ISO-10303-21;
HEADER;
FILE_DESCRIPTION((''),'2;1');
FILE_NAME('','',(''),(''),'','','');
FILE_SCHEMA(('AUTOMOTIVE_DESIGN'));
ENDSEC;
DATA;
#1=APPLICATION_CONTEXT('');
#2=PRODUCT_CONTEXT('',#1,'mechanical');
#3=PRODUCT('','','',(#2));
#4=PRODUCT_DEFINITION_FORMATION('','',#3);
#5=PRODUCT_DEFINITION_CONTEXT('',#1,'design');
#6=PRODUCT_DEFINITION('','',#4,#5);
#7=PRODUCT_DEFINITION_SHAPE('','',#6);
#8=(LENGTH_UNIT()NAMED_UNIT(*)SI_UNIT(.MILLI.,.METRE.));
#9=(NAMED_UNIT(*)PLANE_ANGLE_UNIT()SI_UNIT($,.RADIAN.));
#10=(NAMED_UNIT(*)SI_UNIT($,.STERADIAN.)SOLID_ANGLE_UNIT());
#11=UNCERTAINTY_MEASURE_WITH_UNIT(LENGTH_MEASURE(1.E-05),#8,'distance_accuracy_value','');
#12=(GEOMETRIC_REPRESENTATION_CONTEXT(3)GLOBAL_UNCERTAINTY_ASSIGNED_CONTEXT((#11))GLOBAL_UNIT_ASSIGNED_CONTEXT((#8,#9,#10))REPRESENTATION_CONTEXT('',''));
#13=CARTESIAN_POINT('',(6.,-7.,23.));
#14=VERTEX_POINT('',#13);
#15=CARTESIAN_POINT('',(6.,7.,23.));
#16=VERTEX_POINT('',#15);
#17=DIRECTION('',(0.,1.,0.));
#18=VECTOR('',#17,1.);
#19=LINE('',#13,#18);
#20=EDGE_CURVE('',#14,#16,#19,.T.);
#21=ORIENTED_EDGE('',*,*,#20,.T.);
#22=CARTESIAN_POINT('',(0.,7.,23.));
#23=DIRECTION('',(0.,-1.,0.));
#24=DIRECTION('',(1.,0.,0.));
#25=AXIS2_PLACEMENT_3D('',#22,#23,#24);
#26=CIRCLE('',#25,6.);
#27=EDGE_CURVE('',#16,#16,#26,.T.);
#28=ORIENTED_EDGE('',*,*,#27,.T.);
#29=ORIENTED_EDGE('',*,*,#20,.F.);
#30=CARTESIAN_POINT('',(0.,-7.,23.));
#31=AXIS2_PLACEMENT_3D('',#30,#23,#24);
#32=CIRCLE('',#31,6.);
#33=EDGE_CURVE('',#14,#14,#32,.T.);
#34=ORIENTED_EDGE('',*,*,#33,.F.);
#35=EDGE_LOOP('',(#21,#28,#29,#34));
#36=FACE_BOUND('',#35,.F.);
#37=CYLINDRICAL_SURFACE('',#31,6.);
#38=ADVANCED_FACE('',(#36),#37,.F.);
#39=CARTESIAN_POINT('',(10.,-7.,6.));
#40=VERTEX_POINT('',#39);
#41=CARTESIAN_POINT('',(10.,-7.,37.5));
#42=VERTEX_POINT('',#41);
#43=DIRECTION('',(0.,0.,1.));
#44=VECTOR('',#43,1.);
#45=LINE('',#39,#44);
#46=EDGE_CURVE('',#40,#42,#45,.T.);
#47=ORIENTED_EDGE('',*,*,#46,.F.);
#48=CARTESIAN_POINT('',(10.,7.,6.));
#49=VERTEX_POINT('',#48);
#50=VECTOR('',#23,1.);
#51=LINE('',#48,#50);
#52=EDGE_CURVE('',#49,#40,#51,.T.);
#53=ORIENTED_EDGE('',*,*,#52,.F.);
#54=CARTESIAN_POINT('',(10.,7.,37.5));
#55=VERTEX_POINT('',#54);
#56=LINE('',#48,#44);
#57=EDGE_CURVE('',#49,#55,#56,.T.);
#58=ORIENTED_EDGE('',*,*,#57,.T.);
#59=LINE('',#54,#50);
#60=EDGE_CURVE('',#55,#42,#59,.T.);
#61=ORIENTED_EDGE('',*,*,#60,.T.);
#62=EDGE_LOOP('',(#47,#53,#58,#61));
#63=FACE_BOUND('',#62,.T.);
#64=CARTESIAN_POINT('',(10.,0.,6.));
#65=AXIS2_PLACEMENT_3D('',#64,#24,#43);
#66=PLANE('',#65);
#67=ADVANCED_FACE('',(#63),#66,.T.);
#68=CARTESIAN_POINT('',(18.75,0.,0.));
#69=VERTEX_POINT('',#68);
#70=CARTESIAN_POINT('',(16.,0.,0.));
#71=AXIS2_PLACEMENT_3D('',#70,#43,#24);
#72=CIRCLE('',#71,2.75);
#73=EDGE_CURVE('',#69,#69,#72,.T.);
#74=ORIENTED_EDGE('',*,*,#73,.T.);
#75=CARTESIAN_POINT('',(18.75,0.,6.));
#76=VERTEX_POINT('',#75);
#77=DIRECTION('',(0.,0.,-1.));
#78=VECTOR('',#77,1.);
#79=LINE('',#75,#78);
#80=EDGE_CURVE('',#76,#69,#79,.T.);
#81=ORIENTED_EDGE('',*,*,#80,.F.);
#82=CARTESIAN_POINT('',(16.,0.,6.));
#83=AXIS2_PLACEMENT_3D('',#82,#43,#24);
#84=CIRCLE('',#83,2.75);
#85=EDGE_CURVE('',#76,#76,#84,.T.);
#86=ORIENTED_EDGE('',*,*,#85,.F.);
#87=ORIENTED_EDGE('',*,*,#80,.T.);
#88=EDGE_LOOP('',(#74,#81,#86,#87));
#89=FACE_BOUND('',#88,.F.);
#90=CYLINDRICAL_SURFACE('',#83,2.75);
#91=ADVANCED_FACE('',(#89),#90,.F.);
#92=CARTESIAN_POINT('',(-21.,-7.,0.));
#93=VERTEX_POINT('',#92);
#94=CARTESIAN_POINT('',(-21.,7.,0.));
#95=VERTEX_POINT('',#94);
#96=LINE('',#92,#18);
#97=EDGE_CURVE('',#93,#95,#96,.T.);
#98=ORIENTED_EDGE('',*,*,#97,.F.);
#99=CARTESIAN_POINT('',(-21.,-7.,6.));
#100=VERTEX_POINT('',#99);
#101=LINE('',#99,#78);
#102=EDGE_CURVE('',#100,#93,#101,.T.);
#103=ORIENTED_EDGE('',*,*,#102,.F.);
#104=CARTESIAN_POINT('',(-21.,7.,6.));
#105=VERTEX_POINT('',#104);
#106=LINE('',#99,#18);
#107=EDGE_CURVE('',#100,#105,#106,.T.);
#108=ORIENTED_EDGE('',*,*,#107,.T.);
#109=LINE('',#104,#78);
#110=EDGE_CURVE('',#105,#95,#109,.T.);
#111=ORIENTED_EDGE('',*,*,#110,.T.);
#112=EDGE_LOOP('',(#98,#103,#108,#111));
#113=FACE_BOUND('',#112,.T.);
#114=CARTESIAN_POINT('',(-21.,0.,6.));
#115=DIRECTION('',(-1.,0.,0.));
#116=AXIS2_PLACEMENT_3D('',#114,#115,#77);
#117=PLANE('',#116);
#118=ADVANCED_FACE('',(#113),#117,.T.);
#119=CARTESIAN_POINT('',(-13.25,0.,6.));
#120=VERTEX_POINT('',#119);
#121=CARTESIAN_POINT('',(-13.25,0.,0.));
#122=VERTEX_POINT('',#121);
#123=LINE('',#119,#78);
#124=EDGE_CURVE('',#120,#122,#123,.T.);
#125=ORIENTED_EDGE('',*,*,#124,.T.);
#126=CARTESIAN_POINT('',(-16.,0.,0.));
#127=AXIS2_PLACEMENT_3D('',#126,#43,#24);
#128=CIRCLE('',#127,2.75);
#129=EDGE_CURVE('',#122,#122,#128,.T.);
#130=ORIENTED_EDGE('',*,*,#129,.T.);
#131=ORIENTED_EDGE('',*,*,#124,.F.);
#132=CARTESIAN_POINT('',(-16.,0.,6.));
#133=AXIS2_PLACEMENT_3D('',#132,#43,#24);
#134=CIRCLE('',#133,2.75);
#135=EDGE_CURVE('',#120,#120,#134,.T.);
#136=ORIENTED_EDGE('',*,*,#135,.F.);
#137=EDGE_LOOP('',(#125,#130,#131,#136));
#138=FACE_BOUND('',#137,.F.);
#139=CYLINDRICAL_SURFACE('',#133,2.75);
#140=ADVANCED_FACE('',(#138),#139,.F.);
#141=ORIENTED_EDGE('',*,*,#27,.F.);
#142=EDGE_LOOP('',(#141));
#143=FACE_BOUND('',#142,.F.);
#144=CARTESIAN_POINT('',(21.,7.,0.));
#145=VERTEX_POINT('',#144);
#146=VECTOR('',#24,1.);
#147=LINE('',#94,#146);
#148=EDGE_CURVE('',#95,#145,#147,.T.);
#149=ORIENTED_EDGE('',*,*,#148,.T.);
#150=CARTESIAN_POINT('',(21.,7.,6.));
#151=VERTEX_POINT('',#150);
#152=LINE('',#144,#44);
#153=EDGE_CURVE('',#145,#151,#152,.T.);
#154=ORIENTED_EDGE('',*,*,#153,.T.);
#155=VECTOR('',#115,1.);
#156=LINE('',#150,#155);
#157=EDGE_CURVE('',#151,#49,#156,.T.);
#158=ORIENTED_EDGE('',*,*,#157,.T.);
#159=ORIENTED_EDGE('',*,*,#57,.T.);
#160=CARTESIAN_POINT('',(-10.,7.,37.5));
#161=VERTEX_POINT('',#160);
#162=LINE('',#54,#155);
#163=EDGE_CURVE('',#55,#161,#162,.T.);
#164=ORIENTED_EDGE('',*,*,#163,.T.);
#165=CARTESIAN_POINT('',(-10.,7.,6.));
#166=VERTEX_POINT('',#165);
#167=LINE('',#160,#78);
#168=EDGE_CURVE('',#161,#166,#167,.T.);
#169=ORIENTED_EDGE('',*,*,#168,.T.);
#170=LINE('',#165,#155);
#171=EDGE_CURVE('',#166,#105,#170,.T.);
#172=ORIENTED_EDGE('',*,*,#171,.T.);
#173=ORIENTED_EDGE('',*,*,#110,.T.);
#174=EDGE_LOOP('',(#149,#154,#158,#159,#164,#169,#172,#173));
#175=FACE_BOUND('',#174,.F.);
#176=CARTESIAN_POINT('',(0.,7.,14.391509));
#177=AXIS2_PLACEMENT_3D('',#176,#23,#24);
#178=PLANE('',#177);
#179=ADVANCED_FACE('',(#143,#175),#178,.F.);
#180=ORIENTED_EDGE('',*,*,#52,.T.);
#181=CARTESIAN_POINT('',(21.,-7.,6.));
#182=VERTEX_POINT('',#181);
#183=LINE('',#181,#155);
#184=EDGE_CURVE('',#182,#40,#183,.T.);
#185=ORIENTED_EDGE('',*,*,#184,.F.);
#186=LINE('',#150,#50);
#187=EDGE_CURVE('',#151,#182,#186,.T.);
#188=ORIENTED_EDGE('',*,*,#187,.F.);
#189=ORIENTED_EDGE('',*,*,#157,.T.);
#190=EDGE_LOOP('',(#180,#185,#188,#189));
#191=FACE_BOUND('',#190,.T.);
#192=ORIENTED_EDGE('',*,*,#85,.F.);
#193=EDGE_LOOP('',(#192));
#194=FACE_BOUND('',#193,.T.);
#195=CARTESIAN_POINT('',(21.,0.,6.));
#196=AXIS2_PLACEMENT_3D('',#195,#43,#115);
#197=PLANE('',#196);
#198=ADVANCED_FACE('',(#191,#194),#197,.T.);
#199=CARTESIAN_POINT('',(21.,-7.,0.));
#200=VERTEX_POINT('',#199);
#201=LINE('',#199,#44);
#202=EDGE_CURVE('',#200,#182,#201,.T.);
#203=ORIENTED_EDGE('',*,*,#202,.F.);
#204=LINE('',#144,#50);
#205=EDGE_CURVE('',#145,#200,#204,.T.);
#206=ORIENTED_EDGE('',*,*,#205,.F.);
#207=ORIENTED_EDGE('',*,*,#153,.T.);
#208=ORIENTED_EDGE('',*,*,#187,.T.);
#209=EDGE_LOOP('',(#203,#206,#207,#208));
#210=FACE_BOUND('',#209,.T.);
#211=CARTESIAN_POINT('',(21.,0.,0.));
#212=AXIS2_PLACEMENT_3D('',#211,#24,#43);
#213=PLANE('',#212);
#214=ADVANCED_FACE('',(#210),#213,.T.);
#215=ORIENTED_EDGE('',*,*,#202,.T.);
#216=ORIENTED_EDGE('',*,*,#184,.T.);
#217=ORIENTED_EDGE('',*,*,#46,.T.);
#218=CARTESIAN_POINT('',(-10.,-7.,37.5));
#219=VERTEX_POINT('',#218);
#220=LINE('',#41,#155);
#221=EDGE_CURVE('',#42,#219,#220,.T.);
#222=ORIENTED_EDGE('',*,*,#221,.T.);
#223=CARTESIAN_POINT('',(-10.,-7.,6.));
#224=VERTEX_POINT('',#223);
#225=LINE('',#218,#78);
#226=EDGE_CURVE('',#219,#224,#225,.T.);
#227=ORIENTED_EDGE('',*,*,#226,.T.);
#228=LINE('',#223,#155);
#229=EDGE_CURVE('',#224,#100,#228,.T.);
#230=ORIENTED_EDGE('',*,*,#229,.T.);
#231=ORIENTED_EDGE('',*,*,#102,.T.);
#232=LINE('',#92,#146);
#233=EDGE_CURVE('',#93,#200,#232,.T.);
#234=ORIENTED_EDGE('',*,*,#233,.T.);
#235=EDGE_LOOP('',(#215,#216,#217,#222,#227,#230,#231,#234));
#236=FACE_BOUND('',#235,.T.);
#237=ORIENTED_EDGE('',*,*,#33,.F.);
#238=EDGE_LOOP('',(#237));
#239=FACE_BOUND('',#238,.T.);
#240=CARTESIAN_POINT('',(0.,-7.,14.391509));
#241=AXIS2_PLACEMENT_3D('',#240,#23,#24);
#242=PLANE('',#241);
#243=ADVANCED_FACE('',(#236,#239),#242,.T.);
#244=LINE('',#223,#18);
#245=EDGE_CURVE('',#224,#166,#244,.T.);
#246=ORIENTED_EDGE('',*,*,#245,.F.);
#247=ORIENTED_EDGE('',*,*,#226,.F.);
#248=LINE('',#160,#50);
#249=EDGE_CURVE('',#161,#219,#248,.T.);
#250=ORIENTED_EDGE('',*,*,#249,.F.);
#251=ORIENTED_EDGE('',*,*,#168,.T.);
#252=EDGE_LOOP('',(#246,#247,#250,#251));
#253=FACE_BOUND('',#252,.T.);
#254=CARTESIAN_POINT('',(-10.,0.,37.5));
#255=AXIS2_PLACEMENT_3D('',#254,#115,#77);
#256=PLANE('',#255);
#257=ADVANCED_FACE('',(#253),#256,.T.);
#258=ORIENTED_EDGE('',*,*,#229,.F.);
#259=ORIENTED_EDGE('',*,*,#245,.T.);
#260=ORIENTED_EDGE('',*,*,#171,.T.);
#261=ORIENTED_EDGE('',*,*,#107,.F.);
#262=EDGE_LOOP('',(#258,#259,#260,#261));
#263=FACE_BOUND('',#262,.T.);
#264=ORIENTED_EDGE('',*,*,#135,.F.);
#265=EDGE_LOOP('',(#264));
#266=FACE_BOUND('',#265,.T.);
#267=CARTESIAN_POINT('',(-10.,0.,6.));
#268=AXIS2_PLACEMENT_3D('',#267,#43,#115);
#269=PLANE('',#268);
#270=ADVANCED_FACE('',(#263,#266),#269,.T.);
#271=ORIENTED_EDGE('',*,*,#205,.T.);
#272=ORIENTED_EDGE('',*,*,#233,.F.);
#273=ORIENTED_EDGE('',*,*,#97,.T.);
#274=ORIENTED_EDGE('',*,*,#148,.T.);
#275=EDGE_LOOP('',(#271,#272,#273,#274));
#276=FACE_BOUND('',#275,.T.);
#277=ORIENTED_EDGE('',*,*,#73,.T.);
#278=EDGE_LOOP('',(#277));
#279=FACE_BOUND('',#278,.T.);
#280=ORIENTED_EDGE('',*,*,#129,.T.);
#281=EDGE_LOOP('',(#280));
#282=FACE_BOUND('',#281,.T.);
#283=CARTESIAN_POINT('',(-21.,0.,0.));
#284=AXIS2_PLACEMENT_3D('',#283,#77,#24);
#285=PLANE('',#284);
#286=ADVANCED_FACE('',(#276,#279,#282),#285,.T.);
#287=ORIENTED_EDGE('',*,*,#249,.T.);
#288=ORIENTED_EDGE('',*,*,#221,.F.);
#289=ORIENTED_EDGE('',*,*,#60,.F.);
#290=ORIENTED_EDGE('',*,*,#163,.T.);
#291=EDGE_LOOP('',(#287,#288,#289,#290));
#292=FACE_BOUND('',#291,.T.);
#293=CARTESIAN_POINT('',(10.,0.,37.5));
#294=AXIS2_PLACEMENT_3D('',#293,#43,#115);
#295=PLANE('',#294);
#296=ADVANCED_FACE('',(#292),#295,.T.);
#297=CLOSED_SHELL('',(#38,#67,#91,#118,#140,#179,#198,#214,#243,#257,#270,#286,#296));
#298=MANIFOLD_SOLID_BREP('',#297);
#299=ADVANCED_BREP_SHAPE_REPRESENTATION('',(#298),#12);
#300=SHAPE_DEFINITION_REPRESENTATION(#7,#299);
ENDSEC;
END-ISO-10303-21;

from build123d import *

# Parameters (mm, degrees)
F1_DEPTH = 7
F2_R     = 6
F3_DEPTH = 14.001
F4_R     = 2.75
F5_DEPTH = 6.001


with BuildPart() as f1:
    # F0 (on Front) → F1 (new body, symmetric)
    with BuildSketch(Plane.XZ):
        Polygon((-21, 0), (0, 0), (21, 0), (21, 6), (10, 6), (10, 37.5), (0, 37.5), (-10, 37.5), (-10, 6), (-21, 6), align=None)
    extrude(amount=F1_DEPTH, both=True)

    # F2 (on face) → F3 (cut, through all)
    with BuildSketch(Plane.XZ.offset(7)):
        with Locations((0, 23)):
            Circle(F2_R)
    extrude(amount=-F3_DEPTH, mode=Mode.SUBTRACT)

    # F4 (on face) → F5 (cut, through all)
    with BuildSketch(Plane.XY.offset(6)):
        with Locations((-16, 0)):
            Circle(F4_R)
        with Locations((16, 0)):
            Circle(F4_R)
    extrude(amount=-F5_DEPTH, mode=Mode.SUBTRACT)


solid = f1.part
